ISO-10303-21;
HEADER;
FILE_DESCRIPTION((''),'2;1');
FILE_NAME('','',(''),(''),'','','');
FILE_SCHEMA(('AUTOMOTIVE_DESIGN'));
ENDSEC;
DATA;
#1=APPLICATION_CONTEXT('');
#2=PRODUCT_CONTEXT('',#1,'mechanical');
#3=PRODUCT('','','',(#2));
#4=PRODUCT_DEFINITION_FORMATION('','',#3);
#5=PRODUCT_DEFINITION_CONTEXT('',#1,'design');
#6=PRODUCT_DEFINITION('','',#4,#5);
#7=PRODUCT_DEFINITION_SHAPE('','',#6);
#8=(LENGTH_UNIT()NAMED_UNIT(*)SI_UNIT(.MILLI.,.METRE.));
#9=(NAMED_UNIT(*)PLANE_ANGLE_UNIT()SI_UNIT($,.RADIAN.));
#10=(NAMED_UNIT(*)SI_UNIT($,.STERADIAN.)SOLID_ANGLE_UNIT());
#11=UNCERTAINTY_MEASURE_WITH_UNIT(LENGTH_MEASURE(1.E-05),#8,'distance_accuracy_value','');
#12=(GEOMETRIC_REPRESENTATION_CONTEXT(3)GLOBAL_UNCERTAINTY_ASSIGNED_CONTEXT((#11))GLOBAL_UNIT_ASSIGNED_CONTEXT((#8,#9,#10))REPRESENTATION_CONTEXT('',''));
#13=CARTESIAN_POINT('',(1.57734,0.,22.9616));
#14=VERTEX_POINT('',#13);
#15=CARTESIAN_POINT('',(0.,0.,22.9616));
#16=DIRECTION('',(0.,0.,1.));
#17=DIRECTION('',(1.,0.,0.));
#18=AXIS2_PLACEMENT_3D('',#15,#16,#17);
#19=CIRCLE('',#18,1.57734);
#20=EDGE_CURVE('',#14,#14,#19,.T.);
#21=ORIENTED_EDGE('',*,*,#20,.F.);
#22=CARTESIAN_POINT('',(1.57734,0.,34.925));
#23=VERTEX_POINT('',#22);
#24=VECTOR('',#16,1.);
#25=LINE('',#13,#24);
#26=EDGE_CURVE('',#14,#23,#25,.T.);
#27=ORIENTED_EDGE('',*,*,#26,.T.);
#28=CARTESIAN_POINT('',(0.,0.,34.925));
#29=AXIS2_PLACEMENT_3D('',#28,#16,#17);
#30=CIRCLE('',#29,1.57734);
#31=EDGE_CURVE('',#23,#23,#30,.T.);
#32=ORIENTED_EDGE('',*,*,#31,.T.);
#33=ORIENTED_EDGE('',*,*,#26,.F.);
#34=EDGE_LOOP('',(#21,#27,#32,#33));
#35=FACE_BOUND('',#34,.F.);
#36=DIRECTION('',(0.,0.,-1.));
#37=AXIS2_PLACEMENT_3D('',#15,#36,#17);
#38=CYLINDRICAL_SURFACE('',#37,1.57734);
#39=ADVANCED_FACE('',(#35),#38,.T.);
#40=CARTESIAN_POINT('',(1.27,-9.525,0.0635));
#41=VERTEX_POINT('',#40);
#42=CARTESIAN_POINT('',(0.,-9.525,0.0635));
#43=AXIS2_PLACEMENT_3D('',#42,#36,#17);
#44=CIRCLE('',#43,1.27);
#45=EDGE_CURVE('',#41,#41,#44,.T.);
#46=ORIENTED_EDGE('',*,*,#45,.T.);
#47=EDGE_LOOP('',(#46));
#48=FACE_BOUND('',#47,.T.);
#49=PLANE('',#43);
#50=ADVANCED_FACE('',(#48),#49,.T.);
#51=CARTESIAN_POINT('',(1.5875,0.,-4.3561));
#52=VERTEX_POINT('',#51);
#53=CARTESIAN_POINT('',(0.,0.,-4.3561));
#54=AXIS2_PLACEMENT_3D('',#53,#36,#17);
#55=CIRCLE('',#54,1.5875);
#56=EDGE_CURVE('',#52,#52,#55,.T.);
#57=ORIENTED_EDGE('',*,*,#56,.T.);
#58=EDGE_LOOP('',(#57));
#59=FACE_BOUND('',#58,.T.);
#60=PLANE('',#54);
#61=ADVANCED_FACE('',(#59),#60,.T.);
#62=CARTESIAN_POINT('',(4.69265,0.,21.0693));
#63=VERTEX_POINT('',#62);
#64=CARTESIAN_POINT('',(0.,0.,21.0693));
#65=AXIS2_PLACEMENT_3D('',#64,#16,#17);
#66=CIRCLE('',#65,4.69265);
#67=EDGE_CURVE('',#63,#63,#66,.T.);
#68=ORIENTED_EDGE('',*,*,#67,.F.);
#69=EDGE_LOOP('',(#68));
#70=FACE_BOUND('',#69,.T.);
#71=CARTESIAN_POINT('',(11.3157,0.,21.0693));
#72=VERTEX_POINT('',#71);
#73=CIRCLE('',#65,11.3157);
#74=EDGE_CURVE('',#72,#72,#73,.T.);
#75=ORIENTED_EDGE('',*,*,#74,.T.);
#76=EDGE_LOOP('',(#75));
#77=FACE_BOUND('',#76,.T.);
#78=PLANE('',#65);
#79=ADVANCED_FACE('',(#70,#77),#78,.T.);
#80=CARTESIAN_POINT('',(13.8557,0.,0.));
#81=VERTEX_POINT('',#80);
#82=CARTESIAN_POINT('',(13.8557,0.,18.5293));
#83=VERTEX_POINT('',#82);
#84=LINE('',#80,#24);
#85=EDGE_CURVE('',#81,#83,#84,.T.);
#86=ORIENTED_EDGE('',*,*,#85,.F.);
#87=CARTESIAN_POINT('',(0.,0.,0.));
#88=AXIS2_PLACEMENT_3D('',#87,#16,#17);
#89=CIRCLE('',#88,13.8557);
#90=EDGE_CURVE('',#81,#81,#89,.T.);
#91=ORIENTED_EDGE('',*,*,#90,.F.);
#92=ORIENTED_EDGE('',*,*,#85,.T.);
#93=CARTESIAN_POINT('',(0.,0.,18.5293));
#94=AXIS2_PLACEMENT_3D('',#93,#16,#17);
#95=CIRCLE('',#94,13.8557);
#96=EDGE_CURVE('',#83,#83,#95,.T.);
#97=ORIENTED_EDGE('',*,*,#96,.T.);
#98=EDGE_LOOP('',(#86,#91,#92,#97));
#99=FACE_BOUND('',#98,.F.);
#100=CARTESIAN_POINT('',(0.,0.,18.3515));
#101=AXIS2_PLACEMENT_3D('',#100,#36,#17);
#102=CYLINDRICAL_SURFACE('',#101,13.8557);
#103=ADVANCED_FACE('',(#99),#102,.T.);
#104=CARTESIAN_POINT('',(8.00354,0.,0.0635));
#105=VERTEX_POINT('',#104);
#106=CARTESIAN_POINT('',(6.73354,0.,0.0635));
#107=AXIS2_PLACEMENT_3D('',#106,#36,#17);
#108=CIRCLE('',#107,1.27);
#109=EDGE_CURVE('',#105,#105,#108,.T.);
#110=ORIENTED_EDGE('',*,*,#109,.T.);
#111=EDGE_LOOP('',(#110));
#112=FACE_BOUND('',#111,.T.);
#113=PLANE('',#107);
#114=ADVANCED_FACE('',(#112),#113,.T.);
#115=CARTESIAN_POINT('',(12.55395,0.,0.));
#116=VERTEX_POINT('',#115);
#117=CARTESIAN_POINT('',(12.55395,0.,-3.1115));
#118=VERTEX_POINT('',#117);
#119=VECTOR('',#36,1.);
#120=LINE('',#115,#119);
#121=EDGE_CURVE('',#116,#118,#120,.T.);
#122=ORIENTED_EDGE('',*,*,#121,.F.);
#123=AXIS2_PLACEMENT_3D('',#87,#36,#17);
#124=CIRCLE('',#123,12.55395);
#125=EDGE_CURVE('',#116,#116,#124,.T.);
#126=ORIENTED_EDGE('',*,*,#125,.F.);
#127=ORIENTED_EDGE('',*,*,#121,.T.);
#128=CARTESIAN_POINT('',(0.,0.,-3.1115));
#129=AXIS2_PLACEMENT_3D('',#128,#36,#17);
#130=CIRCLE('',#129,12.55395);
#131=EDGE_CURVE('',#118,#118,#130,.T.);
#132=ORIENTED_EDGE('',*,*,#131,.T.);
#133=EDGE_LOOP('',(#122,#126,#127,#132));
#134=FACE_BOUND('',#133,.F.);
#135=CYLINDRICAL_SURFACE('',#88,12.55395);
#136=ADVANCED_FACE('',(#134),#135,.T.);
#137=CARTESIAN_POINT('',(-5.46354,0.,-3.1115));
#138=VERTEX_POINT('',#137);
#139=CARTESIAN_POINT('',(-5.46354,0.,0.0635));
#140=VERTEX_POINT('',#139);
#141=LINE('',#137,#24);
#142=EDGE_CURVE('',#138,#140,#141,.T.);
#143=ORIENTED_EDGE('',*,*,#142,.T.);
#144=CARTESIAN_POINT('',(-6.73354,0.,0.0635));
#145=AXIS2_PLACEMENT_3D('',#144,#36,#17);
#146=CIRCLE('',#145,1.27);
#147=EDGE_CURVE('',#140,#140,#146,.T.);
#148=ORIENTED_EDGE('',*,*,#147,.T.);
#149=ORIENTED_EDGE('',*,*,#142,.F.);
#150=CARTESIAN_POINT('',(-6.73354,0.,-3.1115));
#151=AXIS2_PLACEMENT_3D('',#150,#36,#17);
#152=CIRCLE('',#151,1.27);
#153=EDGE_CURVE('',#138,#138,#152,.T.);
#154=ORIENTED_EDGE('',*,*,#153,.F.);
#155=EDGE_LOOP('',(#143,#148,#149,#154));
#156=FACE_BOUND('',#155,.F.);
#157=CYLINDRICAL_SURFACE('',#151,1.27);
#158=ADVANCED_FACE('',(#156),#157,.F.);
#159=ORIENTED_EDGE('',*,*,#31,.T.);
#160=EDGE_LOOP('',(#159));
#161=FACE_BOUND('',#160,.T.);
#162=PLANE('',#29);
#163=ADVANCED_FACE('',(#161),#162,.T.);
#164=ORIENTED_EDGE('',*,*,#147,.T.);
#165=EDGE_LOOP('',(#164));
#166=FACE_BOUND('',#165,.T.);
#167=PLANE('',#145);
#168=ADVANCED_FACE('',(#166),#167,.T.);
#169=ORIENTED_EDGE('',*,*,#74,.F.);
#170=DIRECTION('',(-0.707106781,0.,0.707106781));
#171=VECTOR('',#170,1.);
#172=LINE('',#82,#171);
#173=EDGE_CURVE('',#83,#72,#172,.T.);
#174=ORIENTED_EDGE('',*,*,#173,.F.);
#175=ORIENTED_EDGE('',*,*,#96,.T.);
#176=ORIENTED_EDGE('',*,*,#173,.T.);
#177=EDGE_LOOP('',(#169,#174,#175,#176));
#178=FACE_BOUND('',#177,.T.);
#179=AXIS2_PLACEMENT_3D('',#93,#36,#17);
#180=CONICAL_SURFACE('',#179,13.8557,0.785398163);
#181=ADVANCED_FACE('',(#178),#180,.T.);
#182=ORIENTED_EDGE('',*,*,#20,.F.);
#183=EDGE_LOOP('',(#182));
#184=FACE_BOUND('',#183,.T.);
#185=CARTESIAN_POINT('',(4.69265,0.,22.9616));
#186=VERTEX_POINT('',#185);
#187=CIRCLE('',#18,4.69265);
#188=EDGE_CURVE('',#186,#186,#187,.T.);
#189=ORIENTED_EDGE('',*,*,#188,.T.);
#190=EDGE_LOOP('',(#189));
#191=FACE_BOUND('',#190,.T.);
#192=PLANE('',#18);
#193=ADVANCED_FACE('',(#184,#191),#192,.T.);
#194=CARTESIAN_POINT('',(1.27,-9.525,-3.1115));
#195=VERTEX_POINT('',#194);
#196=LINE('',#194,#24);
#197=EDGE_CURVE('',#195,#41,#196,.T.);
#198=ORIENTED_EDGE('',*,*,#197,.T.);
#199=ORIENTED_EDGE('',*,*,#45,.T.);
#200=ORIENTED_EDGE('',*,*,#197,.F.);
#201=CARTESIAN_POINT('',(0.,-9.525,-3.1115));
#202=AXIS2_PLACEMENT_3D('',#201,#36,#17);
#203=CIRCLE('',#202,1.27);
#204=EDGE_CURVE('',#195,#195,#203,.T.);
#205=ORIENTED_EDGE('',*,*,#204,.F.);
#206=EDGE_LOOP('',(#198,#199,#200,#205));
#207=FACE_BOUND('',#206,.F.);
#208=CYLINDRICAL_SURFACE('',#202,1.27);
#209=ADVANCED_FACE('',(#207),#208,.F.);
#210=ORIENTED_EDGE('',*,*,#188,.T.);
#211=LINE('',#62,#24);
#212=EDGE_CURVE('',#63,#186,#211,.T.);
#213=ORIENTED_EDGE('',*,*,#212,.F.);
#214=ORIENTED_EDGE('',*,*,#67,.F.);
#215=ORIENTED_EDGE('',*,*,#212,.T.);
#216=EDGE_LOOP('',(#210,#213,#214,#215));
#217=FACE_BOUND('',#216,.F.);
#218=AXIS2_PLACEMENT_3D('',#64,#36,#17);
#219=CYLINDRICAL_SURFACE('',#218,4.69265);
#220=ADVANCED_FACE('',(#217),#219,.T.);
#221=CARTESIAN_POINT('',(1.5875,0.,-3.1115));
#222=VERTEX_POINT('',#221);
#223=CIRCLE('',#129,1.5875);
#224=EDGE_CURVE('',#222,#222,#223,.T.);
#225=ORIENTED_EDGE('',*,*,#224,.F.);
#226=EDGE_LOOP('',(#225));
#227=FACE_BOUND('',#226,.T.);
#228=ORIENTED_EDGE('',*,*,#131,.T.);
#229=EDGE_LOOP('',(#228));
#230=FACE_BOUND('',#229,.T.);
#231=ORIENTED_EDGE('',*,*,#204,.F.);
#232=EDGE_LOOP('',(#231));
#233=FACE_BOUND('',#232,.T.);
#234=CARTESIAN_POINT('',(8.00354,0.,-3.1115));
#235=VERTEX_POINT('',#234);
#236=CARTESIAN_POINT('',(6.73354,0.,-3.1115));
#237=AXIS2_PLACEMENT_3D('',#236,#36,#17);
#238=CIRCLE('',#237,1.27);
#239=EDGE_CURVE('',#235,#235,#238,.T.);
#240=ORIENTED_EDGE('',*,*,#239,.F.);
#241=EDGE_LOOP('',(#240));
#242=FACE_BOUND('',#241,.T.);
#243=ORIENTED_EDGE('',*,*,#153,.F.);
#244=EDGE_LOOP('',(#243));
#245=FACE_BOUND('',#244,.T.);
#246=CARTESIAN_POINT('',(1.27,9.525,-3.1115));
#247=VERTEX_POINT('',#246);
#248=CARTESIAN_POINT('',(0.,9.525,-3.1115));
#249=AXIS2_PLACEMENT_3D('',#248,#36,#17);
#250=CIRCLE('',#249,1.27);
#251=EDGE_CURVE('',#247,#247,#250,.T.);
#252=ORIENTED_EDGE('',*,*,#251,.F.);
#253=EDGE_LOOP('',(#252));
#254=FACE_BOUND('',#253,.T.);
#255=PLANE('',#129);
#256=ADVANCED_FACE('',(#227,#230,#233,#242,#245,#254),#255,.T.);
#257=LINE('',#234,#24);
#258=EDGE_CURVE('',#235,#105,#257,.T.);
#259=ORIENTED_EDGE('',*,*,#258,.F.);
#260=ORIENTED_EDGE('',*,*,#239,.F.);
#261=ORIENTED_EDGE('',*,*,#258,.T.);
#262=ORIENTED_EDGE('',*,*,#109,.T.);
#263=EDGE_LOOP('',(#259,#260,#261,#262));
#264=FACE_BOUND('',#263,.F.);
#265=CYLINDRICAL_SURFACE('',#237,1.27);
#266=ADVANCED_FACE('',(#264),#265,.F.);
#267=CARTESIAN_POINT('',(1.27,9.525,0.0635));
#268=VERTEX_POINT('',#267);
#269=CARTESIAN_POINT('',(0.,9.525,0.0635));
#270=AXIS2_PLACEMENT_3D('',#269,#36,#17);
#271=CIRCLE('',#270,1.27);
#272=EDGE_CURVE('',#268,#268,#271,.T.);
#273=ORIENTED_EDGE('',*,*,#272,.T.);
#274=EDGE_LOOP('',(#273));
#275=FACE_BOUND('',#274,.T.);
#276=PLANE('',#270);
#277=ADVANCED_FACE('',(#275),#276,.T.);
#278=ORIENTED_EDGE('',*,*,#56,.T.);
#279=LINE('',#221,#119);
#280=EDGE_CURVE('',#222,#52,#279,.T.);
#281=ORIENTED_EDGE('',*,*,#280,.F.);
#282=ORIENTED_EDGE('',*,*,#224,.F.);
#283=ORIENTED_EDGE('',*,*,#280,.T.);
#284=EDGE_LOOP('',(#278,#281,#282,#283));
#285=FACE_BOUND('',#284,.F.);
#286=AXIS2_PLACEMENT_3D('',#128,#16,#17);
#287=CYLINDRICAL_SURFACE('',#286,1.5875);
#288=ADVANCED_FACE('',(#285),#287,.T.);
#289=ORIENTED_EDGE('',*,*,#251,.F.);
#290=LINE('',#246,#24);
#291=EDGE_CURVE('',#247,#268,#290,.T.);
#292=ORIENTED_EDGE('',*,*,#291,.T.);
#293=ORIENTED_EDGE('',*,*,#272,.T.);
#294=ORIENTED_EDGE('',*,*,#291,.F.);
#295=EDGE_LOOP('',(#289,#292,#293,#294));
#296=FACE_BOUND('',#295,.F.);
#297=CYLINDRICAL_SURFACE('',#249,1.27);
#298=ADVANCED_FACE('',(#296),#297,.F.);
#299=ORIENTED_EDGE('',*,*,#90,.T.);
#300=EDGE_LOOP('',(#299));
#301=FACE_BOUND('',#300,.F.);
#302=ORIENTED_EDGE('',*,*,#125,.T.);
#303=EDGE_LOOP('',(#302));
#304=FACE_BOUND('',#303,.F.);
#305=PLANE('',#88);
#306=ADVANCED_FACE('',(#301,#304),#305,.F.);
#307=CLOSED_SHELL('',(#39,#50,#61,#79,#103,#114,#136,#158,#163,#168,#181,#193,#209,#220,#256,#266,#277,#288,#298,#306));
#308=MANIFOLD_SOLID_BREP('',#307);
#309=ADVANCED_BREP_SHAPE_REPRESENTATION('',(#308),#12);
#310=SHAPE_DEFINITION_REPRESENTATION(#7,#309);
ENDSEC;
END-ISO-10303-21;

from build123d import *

# Parameters (mm, degrees)
SKETCH_R     = 13.8557
PAD_DEPTH    = 18.3515
SKETCH001_R  = 12.55395
PAD001_DEPTH = 3.1115
SKETCH002_R  = 13.8557
PAD002_DEPTH = 2.7178
CHAMFER_SIZE = 2.54
SKETCH003_R  = 4.69265
PAD003_DEPTH = 1.8923
SKETCH004_R  = 1.57734
PAD004_DEPTH = 11.9634
SKETCH005_R  = 1.27
POCKET_DEPTH = 3.175
SKETCH006_R  = 1.5875
PAD005_DEPTH = 1.2446


with BuildPart() as part:
    # Sketch → Pad (new body)
    with BuildSketch(Plane.XY):
        Circle(SKETCH_R)
    extrude(amount=PAD_DEPTH)

    # Sketch001 → Pad001 (new body)
    with BuildSketch(Plane(origin=(0, 0, 0), x_dir=(1, 0, 0), z_dir=(0, 0, -1))):
        Circle(SKETCH001_R)
    extrude(amount=PAD001_DEPTH)

    # Sketch002 → Pad002 (new body)
    with BuildSketch(Plane.XY.offset(18.3515)):
        Circle(SKETCH002_R)
    extrude(amount=PAD002_DEPTH)

    # Chamfer
    chamfer_edges = [part.edges().sort_by_distance(p)[0] for p in [
        (-13.8557, 0, 21.0693),
    ]]
    chamfer(chamfer_edges, length=CHAMFER_SIZE)

    # Sketch003 → Pad003 (new body)
    with BuildSketch(Plane.XY.offset(21.0693)):
        Circle(SKETCH003_R)
    extrude(amount=PAD003_DEPTH)

    # Sketch004 → Pad004 (new body)
    with BuildSketch(Plane.XY.offset(22.9616)):
        Circle(SKETCH004_R)
    extrude(amount=PAD004_DEPTH)

    # Sketch005 → Pocket (cut)
    with BuildSketch(Plane(origin=(0, 0, -3.1115), x_dir=(1, 0, 0), z_dir=(0, 0, -1))):
        with Locations((6.73354, 0)):
            Circle(SKETCH005_R)
        with Locations((-6.73354, 0)):
            Circle(SKETCH005_R)
        with Locations((0, 9.525)):
            Circle(SKETCH005_R)
        with Locations((0, -9.525)):
            Circle(SKETCH005_R)
    extrude(amount=-POCKET_DEPTH, mode=Mode.SUBTRACT)

    # Sketch006 → Pad005 (new body)
    with BuildSketch(Plane(origin=(0, 0, -3.1115), x_dir=(1, 0, 0), z_dir=(0, 0, -1))):
        Circle(SKETCH006_R)
    extrude(amount=PAD005_DEPTH)


solid = part.part
